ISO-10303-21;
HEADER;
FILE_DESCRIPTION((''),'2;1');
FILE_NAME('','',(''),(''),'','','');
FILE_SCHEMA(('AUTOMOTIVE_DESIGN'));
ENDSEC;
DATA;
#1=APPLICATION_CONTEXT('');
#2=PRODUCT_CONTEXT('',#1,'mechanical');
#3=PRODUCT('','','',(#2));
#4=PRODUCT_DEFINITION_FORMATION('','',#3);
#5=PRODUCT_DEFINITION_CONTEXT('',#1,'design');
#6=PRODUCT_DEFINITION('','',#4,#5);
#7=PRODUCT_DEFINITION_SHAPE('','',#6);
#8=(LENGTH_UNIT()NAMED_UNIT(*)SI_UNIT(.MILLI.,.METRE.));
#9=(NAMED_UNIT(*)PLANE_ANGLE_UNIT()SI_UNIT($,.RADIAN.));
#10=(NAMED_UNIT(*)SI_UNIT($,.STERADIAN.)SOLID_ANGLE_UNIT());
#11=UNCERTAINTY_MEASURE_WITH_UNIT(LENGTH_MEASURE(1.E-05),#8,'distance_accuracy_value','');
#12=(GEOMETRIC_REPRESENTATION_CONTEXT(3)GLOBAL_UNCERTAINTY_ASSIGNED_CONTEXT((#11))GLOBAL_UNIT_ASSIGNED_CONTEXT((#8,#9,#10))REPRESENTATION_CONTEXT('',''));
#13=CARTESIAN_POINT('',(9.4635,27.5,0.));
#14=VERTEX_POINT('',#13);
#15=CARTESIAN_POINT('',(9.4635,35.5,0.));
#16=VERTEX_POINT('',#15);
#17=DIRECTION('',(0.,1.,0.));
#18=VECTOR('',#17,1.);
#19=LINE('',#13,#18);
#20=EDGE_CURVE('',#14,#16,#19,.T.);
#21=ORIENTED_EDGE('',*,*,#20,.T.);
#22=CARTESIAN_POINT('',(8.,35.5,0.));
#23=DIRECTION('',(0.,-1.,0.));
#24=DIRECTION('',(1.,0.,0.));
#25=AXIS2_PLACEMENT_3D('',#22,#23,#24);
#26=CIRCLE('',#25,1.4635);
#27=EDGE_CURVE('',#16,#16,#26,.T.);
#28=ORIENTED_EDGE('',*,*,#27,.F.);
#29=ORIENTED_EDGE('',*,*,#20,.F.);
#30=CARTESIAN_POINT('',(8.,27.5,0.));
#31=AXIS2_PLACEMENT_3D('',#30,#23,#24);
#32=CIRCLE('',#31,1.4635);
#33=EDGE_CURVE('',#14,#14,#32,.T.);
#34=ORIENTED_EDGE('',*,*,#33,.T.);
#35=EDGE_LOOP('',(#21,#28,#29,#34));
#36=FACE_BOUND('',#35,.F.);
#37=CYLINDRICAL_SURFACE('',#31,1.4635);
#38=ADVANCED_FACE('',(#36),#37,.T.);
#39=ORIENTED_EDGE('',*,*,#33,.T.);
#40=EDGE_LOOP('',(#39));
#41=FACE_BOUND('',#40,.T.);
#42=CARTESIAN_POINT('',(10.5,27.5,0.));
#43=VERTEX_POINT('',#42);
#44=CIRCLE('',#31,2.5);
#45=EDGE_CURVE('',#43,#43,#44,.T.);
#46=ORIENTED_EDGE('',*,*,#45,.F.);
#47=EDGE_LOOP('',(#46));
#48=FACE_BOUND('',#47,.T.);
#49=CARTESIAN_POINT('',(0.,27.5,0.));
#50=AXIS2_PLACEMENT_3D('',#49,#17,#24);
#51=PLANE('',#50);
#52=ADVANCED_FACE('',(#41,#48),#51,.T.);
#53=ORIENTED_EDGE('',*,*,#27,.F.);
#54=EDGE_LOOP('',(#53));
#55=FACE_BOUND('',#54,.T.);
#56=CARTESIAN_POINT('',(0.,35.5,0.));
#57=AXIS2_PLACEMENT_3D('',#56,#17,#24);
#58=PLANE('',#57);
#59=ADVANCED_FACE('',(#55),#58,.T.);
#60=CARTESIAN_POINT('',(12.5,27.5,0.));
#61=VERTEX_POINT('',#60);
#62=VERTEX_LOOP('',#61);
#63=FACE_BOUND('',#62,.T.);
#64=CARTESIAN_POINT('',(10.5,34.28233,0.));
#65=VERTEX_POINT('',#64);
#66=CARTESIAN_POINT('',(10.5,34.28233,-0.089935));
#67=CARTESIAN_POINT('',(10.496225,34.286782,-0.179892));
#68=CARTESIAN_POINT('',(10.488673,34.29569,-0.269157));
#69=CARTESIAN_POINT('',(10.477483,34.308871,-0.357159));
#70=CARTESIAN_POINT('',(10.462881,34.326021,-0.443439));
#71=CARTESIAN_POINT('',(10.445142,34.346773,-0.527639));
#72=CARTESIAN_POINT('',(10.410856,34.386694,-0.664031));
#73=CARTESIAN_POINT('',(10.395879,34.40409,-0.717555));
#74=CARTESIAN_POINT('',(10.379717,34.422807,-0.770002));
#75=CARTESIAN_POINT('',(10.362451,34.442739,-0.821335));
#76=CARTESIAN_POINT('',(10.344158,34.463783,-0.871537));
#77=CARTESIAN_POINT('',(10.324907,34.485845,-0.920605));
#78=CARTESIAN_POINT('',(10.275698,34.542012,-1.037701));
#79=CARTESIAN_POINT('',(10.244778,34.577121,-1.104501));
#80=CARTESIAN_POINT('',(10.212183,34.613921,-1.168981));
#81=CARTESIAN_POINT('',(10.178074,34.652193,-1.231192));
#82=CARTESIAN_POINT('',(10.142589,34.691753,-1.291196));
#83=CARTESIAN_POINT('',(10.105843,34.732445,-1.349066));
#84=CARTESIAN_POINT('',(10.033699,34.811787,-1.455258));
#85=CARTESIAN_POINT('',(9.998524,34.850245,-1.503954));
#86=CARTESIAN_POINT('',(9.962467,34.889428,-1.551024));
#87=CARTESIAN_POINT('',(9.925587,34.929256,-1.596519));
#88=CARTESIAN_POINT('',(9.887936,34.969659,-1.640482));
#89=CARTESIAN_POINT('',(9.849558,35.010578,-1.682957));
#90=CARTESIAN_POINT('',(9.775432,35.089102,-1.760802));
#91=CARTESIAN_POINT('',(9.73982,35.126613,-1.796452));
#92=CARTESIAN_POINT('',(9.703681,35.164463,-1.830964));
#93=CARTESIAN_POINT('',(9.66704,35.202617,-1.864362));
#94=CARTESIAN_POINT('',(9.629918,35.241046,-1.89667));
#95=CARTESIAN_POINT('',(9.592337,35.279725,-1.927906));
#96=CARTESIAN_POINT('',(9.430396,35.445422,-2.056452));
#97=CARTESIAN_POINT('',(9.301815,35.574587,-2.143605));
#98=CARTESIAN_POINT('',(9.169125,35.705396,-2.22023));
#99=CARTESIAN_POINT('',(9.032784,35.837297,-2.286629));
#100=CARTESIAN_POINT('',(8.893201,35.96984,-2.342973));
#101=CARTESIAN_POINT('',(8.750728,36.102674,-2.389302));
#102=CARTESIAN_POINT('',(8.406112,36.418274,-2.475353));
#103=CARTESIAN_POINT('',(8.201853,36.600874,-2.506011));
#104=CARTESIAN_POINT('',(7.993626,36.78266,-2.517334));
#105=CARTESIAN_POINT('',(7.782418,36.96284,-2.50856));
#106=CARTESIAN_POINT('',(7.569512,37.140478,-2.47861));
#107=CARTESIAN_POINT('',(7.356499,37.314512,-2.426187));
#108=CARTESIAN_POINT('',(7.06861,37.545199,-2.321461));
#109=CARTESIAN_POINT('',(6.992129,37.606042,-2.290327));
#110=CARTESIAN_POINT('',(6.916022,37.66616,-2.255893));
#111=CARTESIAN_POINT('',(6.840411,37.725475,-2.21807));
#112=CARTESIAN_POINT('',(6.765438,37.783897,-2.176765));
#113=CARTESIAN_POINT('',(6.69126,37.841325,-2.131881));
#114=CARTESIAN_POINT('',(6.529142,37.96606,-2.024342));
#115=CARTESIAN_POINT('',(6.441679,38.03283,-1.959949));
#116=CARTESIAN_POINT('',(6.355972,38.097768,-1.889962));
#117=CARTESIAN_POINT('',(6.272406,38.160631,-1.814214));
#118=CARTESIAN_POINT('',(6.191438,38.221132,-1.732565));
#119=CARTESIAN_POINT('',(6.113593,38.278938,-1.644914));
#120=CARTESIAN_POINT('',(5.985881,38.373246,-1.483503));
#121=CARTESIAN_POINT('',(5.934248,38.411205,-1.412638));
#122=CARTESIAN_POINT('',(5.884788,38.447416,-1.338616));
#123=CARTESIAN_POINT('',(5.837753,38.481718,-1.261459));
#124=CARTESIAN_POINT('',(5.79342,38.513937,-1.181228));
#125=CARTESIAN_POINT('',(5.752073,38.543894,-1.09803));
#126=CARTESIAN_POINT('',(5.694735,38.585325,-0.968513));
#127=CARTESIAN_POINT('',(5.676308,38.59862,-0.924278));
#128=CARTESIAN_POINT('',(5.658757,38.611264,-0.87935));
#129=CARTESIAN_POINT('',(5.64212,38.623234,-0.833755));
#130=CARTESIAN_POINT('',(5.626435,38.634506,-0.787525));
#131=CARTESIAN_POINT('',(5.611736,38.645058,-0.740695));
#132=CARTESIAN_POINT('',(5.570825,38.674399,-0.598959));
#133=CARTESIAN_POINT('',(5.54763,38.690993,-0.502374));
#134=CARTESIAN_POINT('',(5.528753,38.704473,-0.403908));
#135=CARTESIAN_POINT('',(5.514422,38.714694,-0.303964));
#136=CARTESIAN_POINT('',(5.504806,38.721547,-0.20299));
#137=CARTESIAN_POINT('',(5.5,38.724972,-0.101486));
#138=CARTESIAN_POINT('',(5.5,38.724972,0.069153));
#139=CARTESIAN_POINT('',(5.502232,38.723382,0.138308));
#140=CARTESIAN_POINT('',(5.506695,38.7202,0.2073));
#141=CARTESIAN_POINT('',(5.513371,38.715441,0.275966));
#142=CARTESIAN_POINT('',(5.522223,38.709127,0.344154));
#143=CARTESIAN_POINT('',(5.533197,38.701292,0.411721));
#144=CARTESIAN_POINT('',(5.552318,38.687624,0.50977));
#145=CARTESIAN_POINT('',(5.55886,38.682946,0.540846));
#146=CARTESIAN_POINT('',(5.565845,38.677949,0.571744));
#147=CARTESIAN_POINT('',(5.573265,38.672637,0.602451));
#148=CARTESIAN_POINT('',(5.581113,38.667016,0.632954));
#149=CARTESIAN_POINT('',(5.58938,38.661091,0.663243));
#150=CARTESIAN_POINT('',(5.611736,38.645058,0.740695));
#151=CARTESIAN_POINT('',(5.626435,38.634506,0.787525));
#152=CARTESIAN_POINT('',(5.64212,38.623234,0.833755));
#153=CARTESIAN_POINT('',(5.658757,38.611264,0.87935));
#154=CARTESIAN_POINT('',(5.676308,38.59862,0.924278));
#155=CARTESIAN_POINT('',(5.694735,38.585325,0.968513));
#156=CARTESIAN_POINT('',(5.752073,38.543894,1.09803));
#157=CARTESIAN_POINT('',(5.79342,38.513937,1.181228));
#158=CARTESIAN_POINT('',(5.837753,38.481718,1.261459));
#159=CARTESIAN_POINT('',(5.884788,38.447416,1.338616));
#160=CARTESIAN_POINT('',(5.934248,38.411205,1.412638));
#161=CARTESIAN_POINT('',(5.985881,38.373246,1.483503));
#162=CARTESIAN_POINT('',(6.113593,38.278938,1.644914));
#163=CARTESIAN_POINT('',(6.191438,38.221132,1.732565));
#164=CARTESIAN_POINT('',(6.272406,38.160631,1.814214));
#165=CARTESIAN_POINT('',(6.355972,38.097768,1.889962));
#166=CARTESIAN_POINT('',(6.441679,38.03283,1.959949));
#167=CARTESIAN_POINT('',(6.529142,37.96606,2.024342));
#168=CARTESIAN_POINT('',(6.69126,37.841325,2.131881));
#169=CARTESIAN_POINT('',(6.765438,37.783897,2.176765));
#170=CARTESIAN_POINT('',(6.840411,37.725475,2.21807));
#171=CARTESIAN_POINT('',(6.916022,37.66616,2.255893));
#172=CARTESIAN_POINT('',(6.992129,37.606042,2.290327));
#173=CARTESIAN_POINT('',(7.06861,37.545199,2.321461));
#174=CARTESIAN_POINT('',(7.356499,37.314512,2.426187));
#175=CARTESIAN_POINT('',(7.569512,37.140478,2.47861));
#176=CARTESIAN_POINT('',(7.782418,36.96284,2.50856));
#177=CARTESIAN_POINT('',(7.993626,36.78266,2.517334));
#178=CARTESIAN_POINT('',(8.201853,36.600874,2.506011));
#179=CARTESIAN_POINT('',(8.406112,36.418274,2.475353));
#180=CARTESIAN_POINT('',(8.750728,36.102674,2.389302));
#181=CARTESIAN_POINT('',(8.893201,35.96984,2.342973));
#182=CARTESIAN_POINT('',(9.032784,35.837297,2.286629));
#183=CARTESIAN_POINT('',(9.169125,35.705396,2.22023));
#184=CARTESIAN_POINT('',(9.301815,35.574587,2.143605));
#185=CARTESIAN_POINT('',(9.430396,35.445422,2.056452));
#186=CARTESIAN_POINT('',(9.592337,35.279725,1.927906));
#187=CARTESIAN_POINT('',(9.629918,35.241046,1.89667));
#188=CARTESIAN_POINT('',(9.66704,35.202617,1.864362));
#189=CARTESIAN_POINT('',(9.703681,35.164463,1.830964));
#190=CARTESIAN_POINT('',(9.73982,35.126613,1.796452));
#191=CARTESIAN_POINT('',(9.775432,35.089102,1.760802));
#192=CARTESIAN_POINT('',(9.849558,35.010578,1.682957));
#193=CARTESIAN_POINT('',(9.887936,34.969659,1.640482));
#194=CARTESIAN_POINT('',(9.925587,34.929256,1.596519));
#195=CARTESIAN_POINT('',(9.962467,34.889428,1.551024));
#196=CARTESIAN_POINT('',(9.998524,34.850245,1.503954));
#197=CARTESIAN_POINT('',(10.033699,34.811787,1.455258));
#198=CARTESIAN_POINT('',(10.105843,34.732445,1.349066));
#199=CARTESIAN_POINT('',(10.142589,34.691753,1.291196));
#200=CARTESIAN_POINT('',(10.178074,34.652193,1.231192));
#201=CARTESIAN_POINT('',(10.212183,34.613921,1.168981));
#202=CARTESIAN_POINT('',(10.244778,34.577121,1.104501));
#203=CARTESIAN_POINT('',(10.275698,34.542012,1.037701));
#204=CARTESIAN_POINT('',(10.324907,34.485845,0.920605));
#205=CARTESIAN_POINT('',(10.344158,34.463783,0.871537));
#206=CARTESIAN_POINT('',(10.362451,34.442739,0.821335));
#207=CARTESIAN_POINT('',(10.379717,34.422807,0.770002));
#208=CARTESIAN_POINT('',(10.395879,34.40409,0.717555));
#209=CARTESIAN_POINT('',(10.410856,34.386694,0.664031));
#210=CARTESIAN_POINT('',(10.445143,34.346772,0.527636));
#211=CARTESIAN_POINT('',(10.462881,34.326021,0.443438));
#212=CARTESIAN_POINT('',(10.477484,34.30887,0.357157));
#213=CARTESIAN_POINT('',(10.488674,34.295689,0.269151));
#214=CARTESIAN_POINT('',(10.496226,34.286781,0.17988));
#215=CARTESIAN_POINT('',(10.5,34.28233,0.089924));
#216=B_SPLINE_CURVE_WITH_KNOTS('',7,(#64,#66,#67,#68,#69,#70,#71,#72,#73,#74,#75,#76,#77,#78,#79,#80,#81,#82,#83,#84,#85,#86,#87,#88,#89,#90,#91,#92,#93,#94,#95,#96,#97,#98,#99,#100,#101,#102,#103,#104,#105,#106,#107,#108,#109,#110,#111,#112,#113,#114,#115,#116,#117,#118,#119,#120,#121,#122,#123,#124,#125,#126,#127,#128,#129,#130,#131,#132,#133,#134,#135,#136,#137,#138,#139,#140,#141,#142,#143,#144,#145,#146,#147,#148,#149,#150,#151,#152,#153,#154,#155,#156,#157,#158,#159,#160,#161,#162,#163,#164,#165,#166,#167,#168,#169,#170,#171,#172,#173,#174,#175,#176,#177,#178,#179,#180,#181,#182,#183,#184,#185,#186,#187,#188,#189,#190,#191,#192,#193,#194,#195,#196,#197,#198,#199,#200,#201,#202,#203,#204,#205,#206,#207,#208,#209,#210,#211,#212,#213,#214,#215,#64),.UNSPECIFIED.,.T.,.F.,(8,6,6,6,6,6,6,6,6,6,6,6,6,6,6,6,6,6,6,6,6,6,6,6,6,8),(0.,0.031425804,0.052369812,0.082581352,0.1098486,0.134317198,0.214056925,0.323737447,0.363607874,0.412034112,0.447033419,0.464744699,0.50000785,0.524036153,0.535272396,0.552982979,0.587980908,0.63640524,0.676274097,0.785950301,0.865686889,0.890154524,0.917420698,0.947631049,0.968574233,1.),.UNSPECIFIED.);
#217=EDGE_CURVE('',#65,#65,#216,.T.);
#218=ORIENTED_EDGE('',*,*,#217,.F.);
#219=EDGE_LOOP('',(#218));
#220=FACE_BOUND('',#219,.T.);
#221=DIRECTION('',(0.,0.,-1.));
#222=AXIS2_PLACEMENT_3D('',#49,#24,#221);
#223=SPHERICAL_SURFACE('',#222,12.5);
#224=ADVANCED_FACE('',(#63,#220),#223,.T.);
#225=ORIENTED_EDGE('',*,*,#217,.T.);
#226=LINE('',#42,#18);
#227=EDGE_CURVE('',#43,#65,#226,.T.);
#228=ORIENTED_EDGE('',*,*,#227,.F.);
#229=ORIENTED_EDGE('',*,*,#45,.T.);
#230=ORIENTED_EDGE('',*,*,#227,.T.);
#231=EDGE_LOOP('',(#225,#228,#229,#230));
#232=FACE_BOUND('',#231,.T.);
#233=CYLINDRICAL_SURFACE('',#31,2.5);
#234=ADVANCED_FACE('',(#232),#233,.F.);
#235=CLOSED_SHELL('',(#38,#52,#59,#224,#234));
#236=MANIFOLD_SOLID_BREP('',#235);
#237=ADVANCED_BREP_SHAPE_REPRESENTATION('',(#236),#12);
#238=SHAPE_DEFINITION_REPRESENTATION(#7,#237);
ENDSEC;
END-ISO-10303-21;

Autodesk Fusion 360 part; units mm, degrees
sphere "球体基本要素2" add diameter 25 placed x (0, 0, -1) y (0, 1, 0) z (1, 0, 0) at (0, 27.5, 0)
ref_plane "工作平面1" through (0, 27.5, 0) normal (0, 1, 0) x (0, 0, 1)
sketch "草图6" plane through (0, 27.5, 0) normal (0, 1, 0) x (1, 0, 0)
  circle A0 centre (8, 0) radius 1.5
  circle A1 centre (8, 0) radius 2.5
  dimension "d25" = 3
  dimension "d26" = 5
  dimension "d27" = 8
extrude "拉伸6" cut sketch "草图6" along normal through all
extrude "拉伸7" cut sketch "草图6" along normal blind 16 contours A0
extrude "拉伸8" add sketch "草图6" along normal blind 8 contours A0
thread "螺纹3" "ISO Metric profile 3.0 M3x0.5 6g" major diameter 2.927 minor diameter 2.3555 pitch 0.5 angle 60 resizes the face on face at (9.4925, 30.1667, 0.1494)
sketch "草图7" plane through (0, 0, 0) normal (0, 0, 1) x (1, 0, 0)
  line L0 (-0.0753, 40.4285) -> (-0.0753, 14.5)
  line L1 (-0.0753, 14.5) -> (-0.0753, 40.5)
  line L2 (-0.0753, 40.5) -> (-0.0753, 14.5)
  dimension "d33" = 26
